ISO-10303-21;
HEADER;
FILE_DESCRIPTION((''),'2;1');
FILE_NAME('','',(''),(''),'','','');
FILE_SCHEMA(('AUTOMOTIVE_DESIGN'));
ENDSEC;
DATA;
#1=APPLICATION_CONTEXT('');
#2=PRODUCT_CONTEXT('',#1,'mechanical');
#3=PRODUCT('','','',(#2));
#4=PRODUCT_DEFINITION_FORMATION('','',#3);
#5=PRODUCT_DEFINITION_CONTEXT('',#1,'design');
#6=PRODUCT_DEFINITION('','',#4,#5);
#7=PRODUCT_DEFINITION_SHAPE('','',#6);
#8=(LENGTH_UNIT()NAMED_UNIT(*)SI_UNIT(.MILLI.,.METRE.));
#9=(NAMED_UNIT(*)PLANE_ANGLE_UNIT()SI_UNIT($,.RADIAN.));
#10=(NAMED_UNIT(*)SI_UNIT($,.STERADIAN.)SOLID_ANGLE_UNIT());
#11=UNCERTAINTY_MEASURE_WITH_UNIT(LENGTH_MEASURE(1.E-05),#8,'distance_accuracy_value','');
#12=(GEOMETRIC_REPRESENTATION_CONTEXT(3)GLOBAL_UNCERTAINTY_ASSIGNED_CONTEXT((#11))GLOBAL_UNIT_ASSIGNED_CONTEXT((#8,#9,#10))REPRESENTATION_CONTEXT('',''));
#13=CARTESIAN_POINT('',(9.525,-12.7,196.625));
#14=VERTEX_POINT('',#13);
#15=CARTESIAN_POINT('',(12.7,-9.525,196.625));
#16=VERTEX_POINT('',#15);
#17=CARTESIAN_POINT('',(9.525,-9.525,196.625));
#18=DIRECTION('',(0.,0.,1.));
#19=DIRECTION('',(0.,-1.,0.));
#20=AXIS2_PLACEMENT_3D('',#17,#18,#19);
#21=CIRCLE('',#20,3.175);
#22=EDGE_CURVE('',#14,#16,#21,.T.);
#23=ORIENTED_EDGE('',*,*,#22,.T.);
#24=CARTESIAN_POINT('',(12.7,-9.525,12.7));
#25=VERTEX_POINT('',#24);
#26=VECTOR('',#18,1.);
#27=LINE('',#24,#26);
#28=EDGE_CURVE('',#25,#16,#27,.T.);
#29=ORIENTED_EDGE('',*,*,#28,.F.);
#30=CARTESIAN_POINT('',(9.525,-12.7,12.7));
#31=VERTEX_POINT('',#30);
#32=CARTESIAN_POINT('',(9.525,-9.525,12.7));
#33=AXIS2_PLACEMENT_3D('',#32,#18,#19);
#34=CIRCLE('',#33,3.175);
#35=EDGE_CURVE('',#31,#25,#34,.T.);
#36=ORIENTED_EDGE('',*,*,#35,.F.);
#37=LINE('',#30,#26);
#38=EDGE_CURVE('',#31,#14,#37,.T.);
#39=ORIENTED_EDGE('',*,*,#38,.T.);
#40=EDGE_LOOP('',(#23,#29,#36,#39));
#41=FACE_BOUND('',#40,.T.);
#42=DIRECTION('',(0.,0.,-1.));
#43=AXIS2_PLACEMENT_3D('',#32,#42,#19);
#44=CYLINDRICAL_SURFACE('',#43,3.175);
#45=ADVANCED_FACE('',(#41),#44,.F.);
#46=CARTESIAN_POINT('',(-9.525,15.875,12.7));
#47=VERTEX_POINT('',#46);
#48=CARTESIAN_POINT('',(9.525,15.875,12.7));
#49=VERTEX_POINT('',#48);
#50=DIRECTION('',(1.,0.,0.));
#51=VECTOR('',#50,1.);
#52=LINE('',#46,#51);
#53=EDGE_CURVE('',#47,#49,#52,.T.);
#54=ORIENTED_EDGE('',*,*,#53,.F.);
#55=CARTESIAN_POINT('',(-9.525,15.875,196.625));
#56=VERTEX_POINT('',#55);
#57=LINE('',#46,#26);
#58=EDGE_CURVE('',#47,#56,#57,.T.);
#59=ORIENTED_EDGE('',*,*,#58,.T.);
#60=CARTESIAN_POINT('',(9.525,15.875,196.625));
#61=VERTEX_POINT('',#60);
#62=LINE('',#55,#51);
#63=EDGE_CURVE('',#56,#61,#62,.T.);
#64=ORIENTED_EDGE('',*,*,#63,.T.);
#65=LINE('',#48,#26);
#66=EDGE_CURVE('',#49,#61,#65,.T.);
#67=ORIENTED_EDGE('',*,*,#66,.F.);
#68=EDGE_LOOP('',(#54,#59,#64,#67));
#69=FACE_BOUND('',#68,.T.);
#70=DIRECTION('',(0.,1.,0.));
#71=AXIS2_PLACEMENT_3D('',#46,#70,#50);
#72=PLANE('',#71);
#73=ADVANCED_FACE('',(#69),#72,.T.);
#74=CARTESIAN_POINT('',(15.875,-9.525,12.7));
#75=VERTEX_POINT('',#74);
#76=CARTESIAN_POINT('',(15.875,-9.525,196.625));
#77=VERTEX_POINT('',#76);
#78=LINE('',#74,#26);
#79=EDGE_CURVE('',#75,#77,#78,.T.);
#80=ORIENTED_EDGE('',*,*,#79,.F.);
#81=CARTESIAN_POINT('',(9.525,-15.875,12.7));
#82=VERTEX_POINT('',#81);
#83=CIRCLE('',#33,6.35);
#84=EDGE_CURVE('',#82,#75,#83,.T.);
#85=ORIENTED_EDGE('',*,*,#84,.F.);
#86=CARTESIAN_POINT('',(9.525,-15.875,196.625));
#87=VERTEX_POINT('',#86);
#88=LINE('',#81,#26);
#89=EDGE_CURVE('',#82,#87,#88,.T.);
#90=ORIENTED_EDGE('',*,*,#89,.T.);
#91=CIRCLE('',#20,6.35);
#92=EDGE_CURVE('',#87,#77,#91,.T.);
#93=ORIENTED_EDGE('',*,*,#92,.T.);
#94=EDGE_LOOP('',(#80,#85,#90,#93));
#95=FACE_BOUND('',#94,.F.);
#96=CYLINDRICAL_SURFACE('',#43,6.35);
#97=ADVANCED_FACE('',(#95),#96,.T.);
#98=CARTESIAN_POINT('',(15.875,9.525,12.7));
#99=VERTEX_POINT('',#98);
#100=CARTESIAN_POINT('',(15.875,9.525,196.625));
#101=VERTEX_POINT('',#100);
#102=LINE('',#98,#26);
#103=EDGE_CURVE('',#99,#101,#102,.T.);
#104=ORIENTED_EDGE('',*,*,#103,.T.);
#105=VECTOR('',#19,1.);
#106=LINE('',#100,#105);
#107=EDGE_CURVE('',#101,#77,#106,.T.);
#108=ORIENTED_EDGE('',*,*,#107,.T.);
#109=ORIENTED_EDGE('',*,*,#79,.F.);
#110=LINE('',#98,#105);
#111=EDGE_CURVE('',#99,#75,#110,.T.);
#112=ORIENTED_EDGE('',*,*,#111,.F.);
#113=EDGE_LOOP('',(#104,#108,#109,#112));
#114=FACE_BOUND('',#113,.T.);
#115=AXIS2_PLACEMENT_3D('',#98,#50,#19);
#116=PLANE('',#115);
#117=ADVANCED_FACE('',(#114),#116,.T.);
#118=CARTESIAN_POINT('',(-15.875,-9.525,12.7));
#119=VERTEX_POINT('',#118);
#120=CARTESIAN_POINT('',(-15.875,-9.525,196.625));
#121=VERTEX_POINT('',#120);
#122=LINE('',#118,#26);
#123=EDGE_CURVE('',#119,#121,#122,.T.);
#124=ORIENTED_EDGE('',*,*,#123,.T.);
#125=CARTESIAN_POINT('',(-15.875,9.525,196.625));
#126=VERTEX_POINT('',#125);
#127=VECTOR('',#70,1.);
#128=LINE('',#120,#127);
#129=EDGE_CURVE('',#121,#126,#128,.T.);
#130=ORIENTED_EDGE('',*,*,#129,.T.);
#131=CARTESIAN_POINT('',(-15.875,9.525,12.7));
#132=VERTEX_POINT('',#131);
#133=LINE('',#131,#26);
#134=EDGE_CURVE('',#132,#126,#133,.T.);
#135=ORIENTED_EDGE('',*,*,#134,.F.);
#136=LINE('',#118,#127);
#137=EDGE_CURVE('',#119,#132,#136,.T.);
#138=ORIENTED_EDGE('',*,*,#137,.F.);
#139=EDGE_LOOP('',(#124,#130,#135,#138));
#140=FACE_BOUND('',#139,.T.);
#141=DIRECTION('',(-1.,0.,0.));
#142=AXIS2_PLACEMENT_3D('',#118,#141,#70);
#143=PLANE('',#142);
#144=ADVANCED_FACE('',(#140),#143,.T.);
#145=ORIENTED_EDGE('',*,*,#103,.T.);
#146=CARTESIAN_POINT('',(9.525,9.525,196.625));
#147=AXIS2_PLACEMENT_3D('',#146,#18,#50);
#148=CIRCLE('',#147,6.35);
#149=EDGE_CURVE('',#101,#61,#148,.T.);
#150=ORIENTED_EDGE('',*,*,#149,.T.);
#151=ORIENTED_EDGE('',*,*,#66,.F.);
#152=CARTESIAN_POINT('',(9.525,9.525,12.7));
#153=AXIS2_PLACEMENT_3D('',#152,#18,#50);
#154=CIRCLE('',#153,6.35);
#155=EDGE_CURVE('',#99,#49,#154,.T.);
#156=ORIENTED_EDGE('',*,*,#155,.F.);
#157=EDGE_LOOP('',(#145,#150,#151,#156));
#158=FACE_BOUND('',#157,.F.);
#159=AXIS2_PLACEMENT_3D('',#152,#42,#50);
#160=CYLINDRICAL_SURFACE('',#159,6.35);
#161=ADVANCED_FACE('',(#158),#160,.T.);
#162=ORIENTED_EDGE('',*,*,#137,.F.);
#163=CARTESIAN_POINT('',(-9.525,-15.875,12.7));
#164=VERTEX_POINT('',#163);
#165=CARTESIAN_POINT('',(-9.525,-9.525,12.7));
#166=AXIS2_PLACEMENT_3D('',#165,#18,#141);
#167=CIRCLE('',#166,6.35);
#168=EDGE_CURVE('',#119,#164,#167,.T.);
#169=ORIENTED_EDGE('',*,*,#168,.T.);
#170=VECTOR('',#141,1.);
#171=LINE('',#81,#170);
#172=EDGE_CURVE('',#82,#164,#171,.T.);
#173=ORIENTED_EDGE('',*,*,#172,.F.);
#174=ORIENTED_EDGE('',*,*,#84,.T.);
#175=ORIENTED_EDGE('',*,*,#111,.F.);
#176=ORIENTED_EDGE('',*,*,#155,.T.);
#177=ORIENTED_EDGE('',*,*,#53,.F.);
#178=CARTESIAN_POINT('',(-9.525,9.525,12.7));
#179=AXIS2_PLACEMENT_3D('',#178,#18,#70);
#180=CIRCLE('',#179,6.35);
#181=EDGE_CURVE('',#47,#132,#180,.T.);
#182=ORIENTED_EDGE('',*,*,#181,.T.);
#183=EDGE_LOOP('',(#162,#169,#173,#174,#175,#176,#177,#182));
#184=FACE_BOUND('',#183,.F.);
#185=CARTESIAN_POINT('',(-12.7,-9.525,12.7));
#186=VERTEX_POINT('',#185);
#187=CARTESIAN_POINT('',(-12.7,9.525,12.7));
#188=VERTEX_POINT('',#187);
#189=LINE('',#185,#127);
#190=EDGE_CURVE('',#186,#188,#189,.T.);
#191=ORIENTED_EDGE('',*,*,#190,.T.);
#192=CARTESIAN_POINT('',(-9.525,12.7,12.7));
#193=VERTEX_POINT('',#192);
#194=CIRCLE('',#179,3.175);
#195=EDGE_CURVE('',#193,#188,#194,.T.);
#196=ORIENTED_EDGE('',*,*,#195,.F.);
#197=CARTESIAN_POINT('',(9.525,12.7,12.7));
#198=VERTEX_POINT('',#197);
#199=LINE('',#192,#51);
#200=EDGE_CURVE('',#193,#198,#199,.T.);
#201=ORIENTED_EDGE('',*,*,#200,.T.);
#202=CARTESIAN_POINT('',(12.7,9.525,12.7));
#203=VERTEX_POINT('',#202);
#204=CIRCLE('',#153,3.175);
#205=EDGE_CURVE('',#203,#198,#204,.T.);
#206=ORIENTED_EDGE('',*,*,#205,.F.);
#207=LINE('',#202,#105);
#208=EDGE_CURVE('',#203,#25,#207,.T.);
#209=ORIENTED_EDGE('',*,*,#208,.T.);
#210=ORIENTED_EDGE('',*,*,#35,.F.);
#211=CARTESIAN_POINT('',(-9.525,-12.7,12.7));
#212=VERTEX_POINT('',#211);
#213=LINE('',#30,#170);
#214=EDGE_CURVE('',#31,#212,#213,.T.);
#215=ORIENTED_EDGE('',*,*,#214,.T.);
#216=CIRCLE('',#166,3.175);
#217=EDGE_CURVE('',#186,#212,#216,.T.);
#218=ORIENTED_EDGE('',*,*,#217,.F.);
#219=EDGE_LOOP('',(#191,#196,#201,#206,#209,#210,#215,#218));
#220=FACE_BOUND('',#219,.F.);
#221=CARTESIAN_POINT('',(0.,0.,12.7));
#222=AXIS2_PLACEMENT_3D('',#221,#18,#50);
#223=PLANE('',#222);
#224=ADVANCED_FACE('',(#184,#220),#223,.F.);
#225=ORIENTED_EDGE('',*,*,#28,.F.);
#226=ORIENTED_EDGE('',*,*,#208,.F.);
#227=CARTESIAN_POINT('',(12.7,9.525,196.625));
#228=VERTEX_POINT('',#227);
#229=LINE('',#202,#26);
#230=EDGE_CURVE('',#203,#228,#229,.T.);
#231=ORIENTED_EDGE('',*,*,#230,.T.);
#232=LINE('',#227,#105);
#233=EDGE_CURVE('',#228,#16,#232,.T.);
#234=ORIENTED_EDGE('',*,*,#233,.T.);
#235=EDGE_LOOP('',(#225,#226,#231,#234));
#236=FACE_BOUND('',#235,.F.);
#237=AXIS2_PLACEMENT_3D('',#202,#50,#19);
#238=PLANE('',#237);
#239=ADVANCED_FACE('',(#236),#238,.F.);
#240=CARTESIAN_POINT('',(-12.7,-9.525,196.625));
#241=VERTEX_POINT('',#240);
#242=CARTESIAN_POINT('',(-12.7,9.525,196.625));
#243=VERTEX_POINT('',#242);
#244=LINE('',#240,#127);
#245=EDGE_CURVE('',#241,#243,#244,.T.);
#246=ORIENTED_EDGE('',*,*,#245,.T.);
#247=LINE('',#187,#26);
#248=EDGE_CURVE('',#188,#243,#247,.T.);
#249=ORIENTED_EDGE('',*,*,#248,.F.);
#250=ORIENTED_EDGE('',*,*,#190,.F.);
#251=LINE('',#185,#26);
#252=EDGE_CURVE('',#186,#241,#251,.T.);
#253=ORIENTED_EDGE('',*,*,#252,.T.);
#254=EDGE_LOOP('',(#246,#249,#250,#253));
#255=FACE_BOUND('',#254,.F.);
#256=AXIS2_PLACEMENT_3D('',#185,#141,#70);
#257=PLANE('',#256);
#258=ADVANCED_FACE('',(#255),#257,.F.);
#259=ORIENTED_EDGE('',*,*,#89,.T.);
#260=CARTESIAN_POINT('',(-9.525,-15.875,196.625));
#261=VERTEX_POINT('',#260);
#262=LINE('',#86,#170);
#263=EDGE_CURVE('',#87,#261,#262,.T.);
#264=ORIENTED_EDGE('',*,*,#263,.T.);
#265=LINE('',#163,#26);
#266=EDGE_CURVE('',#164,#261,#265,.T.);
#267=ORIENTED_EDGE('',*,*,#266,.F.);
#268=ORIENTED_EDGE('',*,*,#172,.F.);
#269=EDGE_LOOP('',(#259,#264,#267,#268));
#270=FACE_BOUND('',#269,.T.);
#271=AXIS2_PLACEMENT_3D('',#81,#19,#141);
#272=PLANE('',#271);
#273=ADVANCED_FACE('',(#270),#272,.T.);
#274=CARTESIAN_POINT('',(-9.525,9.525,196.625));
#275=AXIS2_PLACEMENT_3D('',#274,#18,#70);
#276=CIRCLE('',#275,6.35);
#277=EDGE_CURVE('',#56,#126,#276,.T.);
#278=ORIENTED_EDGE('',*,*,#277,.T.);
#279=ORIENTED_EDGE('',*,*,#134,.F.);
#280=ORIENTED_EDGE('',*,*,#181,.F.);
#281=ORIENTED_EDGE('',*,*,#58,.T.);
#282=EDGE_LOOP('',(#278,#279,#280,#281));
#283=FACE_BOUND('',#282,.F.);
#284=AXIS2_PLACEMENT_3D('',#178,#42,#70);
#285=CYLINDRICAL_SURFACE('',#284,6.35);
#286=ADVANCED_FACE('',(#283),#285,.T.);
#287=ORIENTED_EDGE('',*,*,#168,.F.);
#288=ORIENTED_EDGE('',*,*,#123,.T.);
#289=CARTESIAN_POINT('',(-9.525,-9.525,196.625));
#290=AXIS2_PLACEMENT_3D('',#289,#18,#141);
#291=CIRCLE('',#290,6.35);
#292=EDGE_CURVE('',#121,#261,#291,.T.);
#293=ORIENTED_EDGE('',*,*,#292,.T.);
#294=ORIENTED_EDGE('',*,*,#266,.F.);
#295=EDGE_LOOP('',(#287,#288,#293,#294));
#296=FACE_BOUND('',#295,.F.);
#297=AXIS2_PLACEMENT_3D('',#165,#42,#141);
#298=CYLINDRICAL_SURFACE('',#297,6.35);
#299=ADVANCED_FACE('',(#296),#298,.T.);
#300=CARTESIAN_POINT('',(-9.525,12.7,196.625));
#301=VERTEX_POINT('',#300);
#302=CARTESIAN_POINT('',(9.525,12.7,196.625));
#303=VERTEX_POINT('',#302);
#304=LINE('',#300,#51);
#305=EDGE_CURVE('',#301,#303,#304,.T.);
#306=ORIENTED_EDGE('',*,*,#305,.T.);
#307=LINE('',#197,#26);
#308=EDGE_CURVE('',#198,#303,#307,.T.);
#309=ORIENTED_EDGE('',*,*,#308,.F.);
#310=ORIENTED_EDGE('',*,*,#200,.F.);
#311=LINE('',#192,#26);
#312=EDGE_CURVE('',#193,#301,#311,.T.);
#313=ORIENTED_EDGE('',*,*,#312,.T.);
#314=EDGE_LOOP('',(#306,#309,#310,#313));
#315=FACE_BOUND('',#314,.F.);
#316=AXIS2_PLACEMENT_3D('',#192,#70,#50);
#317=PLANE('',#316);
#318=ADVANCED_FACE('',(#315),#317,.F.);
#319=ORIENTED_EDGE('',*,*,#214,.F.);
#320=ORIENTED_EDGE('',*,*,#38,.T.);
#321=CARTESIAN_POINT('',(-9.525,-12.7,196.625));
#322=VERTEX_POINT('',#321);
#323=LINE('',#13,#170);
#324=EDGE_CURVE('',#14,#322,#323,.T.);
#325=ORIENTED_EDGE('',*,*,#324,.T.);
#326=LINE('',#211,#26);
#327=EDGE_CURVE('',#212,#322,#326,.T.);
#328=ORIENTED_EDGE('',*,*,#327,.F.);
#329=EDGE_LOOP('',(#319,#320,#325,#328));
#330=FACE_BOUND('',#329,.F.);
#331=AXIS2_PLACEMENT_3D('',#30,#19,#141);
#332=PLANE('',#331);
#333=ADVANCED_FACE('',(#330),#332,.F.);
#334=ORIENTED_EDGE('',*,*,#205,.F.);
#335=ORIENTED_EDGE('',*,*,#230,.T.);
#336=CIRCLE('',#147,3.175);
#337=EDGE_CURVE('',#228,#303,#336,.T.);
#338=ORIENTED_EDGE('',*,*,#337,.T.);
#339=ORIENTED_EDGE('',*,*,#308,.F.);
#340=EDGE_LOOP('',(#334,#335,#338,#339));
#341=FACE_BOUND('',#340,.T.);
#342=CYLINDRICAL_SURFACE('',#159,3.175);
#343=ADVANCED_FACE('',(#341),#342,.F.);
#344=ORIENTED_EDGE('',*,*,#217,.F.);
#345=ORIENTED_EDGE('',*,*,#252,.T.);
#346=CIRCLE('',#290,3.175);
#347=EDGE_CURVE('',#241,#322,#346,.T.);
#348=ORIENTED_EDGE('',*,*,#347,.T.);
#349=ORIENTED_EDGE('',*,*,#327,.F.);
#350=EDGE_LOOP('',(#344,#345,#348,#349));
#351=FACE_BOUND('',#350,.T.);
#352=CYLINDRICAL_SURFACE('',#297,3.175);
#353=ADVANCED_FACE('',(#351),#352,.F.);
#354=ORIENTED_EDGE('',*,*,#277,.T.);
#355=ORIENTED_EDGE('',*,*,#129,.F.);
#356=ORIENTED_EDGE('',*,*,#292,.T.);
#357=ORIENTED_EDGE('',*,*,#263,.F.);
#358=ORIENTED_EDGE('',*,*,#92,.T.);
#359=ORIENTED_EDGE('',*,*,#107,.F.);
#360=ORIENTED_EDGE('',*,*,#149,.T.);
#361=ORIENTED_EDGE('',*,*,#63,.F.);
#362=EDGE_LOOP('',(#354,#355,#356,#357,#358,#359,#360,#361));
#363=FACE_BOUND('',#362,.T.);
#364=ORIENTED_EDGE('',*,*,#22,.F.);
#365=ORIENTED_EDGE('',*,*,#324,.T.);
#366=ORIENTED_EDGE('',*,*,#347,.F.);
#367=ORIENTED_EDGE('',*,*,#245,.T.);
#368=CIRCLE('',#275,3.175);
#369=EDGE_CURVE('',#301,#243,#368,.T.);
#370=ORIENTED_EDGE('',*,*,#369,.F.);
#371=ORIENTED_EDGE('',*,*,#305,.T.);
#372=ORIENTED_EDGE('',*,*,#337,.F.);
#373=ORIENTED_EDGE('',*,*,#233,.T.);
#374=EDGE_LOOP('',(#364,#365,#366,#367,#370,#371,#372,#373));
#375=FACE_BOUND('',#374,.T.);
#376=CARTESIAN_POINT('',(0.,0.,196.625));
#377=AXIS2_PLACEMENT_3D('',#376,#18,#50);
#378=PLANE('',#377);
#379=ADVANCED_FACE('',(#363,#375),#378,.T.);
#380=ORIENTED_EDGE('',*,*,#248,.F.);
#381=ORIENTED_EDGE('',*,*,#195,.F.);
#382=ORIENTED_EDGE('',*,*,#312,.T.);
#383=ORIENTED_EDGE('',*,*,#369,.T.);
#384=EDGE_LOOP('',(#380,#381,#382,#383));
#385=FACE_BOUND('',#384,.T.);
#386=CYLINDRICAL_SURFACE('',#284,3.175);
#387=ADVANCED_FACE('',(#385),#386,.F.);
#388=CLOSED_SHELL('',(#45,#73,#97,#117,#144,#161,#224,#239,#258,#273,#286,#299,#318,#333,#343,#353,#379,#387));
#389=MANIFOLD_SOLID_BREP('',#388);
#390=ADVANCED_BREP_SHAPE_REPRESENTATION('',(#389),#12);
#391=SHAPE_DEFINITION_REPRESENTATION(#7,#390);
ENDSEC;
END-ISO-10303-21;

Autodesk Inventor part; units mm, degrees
ref_plane "Start Plane" through (0, 0, 12.7) normal (0, 0, 1) x (1, 0, 0)
ref_plane "End Plane" through (0, 0, 196.625) normal (0, 0, 1) x (1, 0, 0)
sketch "Sketch" plane through (0, 0, 0) normal (0, 0, 1) x (1, 0, 0)
  line L0 (-15.875, -9.525) -> (-15.875, 9.525)
  line L1 (-9.525, 15.875) -> (9.525, 15.875)
  line L2 (15.875, 9.525) -> (15.875, -9.525)
  line L3 (9.525, -15.875) -> (-9.525, -15.875)
  arc A0 (-15.875, -9.525) -> (-9.525, -15.875) centre (-9.525, -9.525) ccw
  arc A1 (-9.525, 15.875) -> (-15.875, 9.525) centre (-9.525, 9.525) ccw
  arc A2 (15.875, 9.525) -> (9.525, 15.875) centre (9.525, 9.525) ccw
  arc A3 (9.525, -15.875) -> (15.875, -9.525) centre (9.525, -9.525) ccw
  arc A4 (-9.525, 12.7) -> (-12.7, 9.525) centre (-9.525, 9.525) ccw
  line L4 (-9.525, 12.7) -> (9.525, 12.7)
  arc A5 (12.7, 9.525) -> (9.525, 12.7) centre (9.525, 9.525) ccw
  line L5 (12.7, 9.525) -> (12.7, -9.525)
  arc A6 (9.525, -12.7) -> (12.7, -9.525) centre (9.525, -9.525) ccw
  line L6 (9.525, -12.7) -> (-9.525, -12.7)
  arc A7 (-12.7, -9.525) -> (-9.525, -12.7) centre (-9.525, -9.525) ccw
  line L7 (-12.7, -9.525) -> (-12.7, 9.525)
  line L8 (0, 24.0662) -> (0, -24.0662) construction
  line L9 (-24.0662, 0) -> (24.0662, 0) construction
  dimension "d10" = 31.75
  dimension "d11" = 31.75
  dimension "d12" = 3.175
  dimension "d15" = 15.875
  dimension "d16" = 15.875
  dimension "d17" = 6.35
extrude "Body" add sketch "Sketch" along normal up to surface (183.925 mm away) from surface at 12.7
sketch "Sketch3" plane through (0, 0, 0) normal (0, 0, 1) x (1, 0, 0)
  line L0 (0, 0) -> (10, 0)
ref_plane "Work Plane3" through (0, 0, 0) normal (0, -1, 0) x (1, 0, 0)
sketch "Sketch4" plane through (0, 0, 0) normal (0, -1, 0) x (1, 0, 0)
  line L0 (-2, 12.7) -> (12, 12.7)
  line L1 (-2, 196.625) -> (12, 196.625)
  dimension "d19" = 183.925
ref_plane "Work Plane4" through (-533.3333, -9.525, 12.7) normal (0, 0, -1) x (-1, 0, 0)
split "Split1" plane through (-533.3333, -9.525, 12.7) removes the side toward (0, 0, -1)
ref_plane "Work Plane5" through (266.6667, -9.525, 196.625) normal (0, 0, 1) x (1, 0, 0)
split "Split2" plane through (266.6667, -9.525, 196.625) removes the side toward (0, 0, 1)
equation "\"d10\" = G_H"
equation "\"d11\" = G_W"
equation "\"d12\" = G_T"
equation "\"d15\" = 0.5 * d10"
equation "\"d16\" = 0.5 * d11"
equation "\"d17\" = G_IR"
equation "\"d3\" = G_L"
equation "\"G_W\" = 31.75"
equation "\"G_H\" = 31.75"
equation "\"G_T\" = 3.175"
equation "\"G_IR\" = 6.35"
equation "\"G_L\" = d19"
equation "\"G_OFFSET_START\" = -12.7"
equation "\"G_OFFSET_END\" = -15.875"
equation "\"d13\" = -G_OFFSET_START"
equation "\"d14\" = G_OFFSET_END + B_L"
equation "\"B_L\" = 212.5"
properties part number "AISC HSS - (1 1/4x1 1/4x1/8) - 7.241" material "Steel, Mild"
